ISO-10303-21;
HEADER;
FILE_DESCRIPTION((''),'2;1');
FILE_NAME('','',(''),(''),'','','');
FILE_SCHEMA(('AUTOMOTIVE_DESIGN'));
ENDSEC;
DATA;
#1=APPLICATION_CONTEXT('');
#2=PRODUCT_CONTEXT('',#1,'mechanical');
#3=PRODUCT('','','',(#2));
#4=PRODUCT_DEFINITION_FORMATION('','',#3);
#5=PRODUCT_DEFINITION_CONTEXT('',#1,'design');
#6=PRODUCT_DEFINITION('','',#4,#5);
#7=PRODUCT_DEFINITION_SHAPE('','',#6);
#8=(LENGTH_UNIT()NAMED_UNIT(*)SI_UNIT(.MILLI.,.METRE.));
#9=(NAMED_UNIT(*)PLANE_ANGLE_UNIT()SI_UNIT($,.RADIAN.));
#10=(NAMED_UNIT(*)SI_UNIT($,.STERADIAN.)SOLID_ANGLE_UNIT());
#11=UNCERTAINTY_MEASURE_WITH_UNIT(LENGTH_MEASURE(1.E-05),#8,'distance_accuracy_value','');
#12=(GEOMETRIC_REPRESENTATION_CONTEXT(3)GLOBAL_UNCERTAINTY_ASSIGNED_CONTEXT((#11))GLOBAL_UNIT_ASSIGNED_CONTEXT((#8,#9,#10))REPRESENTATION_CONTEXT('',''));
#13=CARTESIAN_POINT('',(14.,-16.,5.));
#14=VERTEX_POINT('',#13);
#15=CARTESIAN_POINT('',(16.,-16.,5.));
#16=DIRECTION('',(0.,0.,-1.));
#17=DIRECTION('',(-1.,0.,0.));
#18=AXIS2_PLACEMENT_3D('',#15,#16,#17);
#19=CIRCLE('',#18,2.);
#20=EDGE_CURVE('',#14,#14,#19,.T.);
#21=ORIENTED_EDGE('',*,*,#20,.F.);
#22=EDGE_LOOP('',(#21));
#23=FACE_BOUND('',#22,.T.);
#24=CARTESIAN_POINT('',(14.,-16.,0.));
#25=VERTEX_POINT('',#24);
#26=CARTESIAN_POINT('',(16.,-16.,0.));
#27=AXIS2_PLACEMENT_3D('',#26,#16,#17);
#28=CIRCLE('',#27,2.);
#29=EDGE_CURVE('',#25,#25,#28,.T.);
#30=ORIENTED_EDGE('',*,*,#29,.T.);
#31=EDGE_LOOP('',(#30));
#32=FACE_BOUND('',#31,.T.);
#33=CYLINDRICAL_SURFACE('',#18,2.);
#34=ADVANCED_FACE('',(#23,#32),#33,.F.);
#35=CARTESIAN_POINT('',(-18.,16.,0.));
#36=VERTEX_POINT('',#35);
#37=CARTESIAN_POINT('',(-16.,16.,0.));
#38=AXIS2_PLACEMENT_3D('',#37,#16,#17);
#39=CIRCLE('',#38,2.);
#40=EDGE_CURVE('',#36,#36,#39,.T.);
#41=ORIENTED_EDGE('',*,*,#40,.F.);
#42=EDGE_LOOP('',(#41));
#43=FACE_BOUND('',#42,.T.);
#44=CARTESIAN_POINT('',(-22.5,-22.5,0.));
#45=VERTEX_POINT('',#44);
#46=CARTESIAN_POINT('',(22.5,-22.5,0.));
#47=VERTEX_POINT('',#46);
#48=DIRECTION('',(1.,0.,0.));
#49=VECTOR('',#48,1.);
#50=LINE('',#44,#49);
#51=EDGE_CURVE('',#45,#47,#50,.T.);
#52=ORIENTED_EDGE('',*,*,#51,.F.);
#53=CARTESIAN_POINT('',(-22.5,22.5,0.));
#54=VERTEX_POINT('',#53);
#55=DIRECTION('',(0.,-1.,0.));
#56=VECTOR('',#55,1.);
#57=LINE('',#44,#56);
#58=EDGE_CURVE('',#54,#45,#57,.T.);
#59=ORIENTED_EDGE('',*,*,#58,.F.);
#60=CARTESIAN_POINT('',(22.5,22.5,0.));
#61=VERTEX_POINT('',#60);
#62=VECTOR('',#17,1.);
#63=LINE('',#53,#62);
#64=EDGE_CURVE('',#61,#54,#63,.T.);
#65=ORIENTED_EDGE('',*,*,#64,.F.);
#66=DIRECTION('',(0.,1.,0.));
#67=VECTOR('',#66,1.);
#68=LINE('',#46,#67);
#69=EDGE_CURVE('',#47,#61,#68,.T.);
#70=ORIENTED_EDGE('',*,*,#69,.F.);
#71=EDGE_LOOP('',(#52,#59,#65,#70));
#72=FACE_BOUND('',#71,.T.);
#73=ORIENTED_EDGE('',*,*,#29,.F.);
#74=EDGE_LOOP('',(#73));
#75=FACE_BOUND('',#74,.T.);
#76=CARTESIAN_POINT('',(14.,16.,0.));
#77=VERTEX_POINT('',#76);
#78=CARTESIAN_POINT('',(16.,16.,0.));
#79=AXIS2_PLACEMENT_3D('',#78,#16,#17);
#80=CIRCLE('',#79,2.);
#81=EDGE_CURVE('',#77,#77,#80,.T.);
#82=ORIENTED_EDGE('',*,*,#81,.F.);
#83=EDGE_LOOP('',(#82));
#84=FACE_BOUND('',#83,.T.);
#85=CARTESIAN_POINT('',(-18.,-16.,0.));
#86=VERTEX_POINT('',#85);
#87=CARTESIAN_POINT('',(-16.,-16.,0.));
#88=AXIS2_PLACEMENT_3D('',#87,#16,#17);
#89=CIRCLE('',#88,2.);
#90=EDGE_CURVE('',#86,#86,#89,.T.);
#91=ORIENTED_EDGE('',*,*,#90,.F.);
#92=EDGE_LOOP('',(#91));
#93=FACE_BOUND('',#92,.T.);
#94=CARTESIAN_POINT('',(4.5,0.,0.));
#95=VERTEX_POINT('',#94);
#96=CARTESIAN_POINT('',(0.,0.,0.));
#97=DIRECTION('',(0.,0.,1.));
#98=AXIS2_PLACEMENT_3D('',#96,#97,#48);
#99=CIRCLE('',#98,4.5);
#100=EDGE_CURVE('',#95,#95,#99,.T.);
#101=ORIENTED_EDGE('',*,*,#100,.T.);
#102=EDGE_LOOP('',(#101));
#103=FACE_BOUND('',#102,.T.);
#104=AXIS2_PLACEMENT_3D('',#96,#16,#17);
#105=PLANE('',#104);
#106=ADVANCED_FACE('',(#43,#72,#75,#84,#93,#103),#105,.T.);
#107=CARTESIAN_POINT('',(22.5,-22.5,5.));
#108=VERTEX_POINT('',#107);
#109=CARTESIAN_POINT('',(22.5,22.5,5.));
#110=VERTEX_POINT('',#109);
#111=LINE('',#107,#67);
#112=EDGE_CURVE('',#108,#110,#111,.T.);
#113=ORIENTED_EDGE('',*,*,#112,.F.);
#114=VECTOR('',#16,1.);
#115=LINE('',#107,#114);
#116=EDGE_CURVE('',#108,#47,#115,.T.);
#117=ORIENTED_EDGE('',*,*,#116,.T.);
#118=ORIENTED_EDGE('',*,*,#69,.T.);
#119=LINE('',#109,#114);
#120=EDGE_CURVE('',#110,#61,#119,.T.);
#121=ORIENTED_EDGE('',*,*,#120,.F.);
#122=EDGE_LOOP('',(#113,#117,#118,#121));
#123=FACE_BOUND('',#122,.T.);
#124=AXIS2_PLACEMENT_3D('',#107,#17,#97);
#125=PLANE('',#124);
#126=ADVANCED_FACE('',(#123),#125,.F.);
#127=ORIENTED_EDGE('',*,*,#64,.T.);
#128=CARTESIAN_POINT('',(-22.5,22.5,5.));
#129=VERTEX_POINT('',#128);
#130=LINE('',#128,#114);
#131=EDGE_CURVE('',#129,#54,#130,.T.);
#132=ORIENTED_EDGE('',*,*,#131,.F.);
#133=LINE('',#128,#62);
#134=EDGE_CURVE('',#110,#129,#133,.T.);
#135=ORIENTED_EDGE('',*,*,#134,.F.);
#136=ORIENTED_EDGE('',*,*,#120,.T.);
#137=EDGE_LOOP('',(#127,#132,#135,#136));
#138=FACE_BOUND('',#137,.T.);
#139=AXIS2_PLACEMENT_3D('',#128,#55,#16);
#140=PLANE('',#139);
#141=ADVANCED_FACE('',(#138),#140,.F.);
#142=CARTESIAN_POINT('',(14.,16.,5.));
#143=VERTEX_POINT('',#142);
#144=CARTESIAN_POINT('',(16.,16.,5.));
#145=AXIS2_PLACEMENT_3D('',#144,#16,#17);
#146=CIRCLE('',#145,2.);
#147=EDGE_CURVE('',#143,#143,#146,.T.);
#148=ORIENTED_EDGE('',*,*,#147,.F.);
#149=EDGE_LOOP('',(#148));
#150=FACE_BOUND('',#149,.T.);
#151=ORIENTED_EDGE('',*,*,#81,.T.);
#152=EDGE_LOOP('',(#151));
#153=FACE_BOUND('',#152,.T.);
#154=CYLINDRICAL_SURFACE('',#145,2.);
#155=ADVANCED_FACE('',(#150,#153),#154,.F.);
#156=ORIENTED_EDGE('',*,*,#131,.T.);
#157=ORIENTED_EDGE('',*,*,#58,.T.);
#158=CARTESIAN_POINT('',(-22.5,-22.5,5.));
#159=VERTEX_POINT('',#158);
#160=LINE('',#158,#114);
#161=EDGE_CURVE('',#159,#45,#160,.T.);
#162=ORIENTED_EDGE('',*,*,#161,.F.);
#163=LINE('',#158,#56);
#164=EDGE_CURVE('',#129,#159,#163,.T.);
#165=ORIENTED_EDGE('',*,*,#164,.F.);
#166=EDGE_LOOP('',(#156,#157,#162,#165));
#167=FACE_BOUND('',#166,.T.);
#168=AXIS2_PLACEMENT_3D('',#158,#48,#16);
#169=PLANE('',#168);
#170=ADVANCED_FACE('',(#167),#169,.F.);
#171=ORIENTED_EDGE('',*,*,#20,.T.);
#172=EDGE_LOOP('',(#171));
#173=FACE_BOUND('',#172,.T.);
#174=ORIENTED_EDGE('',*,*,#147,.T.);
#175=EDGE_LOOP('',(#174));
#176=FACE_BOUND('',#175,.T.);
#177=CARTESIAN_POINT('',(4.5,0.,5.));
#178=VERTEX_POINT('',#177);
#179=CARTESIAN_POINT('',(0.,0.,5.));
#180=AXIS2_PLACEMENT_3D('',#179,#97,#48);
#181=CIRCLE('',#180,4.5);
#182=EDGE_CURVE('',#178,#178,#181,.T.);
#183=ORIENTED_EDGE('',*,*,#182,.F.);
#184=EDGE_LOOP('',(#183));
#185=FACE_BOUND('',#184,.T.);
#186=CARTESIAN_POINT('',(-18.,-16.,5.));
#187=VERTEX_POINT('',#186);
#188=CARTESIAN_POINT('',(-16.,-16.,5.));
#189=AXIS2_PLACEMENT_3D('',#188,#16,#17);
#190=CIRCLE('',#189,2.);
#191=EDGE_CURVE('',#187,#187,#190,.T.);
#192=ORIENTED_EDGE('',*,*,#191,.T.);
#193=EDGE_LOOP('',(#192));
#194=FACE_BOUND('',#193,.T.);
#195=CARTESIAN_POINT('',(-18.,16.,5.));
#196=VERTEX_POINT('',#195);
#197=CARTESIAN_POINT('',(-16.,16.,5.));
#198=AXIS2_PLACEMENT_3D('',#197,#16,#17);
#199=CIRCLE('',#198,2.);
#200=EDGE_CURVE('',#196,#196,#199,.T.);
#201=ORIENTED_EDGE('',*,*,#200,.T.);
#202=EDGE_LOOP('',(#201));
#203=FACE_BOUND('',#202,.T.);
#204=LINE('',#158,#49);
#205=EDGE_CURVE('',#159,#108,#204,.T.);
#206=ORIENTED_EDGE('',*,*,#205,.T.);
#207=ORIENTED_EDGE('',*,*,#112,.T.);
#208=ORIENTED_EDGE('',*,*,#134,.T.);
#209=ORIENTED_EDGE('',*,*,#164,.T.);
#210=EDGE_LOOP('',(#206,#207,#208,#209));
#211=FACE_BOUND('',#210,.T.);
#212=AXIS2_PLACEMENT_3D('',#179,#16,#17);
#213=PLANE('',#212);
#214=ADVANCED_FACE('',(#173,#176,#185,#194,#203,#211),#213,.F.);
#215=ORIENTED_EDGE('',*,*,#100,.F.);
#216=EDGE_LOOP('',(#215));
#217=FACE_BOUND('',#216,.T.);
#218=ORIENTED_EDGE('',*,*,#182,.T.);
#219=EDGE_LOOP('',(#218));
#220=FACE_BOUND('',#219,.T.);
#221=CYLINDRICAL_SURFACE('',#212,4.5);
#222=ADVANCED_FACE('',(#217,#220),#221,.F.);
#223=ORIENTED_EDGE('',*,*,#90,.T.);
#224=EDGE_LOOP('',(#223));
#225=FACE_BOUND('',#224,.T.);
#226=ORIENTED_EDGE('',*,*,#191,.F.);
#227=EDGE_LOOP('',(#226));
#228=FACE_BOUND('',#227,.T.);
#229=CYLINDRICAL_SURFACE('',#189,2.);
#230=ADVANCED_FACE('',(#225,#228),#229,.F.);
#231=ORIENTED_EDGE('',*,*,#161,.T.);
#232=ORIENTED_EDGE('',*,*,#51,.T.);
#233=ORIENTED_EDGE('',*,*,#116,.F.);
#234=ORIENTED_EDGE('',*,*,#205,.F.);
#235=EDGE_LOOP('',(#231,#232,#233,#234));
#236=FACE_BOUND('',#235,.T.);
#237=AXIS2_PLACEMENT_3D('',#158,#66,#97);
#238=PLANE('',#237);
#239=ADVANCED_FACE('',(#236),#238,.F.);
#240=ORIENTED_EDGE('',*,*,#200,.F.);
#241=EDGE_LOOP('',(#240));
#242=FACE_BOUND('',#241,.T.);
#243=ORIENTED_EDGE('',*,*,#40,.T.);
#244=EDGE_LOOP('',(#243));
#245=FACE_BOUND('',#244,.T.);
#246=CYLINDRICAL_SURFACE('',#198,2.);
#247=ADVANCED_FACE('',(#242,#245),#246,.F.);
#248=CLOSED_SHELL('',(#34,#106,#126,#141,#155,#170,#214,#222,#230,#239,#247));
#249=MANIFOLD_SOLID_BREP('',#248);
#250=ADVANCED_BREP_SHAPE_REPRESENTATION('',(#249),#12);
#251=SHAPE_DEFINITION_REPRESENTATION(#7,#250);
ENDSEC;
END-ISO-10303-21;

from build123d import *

# Parameters (mm, degrees)
SKETCH1_W           = 45
SKETCH1_H           = 45
SKETCH1_R           = 4.5
BOSS_EXTRUDE1_DEPTH = 5
CUT_EXTRUDE1_DEPTH  = 532.736885204


with BuildPart() as part:
    # Sketch1 → Boss-Extrude1 (new body)
    with BuildSketch(Plane.XY):
        Rectangle(SKETCH1_W, SKETCH1_H)
        Circle(SKETCH1_R, mode=Mode.SUBTRACT)
    extrude(amount=BOSS_EXTRUDE1_DEPTH)

    # Sketch2 → Cut-Extrude1 (cut, through all)
    with BuildSketch(Plane(origin=(-496.037536649, -95.134766003, 0), x_dir=(-1, 0, 0), z_dir=(0, 0, -1))):
        with BuildLine():
            ThreePointArc((-510.037536649, 79.134766003), (-512.037536649, 81.134766003), (-514.037536649, 79.134766003))
            ThreePointArc((-514.037536649, 79.134766003), (-512.037536649, 77.134766003), (-510.037536649, 79.134766003))
        make_face()
        with BuildLine():
            ThreePointArc((-478.037536649, 79.134766003), (-480.037536649, 81.134766003), (-482.037536649, 79.134766003))
            ThreePointArc((-482.037536649, 79.134766003), (-480.037536649, 77.134766003), (-478.037536649, 79.134766003))
        make_face()
        with BuildLine():
            ThreePointArc((-478.037536649, 111.134766003), (-480.037536649, 113.134766003), (-482.037536649, 111.134766003))
            ThreePointArc((-482.037536649, 111.134766003), (-480.037536649, 109.134766003), (-478.037536649, 111.134766003))
        make_face()
        with BuildLine():
            ThreePointArc((-510.037536649, 111.134766003), (-512.037536649, 113.134766003), (-514.037536649, 111.134766003))
            ThreePointArc((-514.037536649, 111.134766003), (-512.037536649, 109.134766003), (-510.037536649, 111.134766003))
        make_face()
    extrude(amount=-CUT_EXTRUDE1_DEPTH, mode=Mode.SUBTRACT)


solid = part.part
